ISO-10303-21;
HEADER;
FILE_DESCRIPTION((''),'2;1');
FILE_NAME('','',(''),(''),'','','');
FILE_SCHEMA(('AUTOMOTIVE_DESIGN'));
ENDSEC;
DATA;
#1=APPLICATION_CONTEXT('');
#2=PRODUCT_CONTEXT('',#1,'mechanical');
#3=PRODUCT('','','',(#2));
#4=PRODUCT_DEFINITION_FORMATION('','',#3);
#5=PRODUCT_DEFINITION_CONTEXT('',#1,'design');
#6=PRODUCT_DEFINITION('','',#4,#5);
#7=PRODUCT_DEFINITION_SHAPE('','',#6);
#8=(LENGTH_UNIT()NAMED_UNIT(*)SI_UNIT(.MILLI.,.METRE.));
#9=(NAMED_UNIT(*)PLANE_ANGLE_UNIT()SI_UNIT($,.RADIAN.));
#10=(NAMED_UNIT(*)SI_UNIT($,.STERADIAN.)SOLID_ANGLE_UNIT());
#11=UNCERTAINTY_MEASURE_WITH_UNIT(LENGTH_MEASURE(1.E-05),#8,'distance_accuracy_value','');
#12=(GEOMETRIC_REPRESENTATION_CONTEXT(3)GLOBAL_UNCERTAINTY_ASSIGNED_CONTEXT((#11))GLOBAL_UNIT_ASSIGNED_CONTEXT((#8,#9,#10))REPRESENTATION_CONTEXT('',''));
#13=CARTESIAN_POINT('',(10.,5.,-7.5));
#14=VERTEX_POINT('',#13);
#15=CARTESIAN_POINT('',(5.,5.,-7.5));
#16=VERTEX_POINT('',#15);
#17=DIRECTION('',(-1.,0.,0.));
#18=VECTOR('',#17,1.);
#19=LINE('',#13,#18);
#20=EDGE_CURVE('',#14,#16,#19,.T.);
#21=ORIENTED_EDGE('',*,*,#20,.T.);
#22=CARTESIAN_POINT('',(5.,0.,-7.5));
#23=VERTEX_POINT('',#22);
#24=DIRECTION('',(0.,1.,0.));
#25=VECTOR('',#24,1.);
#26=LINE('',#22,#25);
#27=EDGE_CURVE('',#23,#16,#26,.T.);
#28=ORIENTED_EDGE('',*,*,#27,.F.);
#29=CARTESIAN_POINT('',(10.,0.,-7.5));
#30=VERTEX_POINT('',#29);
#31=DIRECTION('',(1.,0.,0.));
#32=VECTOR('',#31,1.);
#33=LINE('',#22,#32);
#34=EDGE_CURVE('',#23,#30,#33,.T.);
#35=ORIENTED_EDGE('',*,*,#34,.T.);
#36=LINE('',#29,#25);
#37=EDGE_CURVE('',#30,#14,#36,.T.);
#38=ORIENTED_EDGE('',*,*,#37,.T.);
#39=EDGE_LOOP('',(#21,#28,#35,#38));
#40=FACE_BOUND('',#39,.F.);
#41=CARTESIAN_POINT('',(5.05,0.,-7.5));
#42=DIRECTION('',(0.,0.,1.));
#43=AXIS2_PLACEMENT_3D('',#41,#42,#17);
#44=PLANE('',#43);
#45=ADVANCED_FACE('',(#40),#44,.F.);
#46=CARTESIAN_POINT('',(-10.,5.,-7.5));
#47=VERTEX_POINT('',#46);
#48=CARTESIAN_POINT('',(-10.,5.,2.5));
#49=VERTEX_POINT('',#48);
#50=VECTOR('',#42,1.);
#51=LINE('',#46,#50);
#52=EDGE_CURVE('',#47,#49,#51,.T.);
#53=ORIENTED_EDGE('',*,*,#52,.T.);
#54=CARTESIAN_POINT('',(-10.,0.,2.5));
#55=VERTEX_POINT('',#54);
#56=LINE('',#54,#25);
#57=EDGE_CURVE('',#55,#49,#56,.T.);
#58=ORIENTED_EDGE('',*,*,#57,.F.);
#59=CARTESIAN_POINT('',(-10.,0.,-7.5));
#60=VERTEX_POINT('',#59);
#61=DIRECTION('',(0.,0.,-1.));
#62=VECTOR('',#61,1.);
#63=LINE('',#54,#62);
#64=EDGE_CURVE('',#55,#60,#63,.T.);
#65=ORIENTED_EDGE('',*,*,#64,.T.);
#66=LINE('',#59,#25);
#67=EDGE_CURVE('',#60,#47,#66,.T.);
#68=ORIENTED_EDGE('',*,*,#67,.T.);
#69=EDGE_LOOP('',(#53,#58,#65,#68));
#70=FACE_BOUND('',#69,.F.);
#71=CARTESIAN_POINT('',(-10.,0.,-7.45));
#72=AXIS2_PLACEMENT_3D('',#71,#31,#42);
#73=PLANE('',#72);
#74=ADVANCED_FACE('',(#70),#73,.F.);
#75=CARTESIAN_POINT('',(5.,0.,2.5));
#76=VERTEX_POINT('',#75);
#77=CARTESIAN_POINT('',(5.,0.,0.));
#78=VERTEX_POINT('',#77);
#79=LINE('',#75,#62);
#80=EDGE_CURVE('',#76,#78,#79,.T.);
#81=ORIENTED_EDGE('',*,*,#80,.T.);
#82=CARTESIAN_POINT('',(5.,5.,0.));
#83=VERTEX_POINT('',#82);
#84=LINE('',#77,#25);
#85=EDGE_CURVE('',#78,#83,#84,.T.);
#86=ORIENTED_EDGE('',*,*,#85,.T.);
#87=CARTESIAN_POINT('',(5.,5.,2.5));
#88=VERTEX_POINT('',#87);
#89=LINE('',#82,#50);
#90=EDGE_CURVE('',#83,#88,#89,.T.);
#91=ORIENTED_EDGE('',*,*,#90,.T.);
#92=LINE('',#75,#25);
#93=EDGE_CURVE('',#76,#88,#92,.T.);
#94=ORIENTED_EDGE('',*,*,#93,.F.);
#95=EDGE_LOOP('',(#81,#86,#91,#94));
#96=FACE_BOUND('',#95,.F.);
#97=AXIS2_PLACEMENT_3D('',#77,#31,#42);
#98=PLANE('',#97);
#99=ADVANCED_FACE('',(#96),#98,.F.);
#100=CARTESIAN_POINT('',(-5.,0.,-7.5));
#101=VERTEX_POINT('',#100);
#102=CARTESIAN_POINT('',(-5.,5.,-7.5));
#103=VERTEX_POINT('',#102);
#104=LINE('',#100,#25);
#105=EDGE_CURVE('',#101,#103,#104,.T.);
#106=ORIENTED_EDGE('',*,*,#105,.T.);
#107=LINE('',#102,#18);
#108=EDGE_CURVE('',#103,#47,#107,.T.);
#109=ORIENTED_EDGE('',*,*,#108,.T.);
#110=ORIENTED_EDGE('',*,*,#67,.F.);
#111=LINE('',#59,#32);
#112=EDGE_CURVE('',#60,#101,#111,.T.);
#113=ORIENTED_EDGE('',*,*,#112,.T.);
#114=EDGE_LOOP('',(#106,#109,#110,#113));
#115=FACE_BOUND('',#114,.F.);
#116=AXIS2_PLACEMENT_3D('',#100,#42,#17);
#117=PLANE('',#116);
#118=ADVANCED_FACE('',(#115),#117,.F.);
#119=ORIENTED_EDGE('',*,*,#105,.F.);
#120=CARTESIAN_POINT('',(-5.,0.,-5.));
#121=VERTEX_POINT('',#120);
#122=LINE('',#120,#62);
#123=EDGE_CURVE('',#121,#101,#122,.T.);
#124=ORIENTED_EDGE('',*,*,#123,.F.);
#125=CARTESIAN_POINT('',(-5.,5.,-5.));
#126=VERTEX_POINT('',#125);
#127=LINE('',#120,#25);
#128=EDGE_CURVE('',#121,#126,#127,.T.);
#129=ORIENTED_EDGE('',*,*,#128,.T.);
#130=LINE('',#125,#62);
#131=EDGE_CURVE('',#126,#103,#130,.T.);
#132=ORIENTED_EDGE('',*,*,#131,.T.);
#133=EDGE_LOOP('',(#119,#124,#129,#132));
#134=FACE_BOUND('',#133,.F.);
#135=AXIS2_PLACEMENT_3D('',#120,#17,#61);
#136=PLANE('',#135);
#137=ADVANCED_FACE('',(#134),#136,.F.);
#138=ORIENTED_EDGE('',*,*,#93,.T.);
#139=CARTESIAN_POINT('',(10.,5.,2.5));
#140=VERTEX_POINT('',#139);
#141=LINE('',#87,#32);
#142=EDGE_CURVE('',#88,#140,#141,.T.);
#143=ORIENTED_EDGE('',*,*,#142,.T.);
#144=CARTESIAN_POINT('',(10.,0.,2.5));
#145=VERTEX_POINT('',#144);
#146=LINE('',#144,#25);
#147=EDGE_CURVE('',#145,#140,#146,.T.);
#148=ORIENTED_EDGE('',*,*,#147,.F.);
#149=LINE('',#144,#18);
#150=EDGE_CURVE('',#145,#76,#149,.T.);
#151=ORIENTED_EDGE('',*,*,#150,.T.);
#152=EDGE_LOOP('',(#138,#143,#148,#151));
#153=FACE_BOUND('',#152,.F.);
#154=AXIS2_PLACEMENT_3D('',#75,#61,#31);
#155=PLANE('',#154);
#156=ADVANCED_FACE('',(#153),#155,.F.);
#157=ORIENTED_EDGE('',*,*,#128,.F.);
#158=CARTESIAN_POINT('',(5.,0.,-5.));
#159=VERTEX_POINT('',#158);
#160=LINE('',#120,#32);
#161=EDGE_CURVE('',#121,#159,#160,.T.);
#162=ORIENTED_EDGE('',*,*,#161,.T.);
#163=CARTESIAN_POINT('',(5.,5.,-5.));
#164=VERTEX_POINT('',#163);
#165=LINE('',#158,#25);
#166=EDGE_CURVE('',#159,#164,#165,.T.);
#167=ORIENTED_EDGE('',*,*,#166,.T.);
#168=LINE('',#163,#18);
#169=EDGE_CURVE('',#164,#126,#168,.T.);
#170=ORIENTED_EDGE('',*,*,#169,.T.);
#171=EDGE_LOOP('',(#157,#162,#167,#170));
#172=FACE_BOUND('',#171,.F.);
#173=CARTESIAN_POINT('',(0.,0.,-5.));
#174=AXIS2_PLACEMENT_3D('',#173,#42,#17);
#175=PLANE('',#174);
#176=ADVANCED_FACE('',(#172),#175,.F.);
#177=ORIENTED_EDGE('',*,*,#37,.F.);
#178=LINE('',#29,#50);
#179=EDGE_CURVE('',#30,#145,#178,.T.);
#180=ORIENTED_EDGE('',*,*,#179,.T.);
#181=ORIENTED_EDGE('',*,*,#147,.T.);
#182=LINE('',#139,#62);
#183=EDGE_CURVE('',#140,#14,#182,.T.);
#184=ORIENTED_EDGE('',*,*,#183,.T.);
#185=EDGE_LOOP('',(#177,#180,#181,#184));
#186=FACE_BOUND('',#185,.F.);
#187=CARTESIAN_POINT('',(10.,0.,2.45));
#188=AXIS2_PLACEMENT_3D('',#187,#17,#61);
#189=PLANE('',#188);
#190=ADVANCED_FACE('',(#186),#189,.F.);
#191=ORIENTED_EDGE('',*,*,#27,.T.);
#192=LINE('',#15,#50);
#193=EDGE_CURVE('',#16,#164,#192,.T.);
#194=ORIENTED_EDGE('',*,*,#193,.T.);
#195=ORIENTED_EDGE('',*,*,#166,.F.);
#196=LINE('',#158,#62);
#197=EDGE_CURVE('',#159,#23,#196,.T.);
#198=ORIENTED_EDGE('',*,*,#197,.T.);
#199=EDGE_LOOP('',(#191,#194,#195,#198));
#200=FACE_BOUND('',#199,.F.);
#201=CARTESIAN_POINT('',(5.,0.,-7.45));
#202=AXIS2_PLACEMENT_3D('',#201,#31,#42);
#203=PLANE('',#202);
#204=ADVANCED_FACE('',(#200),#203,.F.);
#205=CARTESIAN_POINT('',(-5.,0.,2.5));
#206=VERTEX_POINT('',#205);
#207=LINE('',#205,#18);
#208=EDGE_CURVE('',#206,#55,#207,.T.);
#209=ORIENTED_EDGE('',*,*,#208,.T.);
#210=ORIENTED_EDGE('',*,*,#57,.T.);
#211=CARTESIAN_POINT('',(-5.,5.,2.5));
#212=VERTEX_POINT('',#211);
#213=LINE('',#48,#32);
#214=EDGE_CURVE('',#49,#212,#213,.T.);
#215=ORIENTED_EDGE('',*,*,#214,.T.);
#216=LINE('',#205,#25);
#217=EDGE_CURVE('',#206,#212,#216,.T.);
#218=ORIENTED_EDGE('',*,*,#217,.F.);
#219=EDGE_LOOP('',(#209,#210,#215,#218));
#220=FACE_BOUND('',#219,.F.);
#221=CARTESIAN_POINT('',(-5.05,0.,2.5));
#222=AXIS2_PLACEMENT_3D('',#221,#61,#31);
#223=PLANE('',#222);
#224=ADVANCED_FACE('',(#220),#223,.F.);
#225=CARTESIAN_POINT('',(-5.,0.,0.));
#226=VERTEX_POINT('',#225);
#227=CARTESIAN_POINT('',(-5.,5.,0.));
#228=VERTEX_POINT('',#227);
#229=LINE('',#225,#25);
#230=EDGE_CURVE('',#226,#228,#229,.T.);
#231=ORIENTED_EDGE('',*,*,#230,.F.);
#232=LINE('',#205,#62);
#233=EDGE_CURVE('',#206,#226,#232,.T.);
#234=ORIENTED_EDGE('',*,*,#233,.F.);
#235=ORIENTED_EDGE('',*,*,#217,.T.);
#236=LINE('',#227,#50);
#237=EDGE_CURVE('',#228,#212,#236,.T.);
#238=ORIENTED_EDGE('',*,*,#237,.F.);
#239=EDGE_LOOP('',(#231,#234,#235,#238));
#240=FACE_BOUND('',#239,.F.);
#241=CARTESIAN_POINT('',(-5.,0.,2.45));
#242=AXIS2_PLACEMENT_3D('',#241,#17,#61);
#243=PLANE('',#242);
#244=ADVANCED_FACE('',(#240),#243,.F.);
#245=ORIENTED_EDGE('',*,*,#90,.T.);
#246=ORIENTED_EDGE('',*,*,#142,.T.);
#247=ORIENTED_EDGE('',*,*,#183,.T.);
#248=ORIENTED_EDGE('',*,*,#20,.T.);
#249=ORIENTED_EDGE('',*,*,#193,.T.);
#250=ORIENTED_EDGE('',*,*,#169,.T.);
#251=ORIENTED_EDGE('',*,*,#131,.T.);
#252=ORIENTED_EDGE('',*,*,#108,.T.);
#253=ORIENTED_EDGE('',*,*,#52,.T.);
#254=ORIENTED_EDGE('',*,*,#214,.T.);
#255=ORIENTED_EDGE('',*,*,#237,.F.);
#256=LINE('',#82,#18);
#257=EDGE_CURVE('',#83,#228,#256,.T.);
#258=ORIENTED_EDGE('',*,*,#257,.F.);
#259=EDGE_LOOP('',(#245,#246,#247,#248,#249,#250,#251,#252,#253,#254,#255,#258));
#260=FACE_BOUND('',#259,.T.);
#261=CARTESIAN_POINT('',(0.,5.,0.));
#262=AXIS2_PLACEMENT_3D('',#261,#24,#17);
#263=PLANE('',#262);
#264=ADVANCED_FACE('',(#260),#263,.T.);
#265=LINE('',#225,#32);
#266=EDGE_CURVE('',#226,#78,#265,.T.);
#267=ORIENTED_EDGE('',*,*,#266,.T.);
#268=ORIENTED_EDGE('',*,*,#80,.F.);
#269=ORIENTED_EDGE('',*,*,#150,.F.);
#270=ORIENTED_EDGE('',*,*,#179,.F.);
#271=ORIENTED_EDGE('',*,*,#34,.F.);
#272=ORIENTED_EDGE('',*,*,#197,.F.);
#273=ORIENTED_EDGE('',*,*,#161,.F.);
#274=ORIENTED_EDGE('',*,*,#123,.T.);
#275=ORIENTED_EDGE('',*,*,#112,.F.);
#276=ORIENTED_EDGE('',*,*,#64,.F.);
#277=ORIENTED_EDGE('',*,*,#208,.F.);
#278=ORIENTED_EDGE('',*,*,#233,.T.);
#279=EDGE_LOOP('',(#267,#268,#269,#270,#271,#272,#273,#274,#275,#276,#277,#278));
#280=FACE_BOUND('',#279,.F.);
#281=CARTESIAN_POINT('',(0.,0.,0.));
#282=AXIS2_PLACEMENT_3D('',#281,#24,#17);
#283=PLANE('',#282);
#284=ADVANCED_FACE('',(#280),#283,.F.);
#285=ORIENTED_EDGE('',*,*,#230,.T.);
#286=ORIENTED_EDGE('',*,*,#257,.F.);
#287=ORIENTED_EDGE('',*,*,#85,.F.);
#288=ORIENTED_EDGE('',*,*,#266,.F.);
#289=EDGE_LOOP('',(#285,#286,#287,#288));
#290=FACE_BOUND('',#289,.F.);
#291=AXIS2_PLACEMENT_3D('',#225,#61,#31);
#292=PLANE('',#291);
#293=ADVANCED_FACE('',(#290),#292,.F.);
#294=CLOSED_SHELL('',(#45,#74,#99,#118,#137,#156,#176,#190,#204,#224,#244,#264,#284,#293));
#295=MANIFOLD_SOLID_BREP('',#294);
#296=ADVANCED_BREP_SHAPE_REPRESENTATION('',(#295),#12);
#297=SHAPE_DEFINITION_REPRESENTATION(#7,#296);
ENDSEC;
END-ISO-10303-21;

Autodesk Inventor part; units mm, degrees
ref_plane "YZ Plane" through (0, 0, 0) normal (1, 0, 0) x (0, 1, 0)
ref_plane "XZ Plane" through (0, 0, 0) normal (0, 1, 0) x (-1, 0, 0)
ref_plane "XY Plane" through (0, 0, 0) normal (0, 0, 1) x (1, 0, 0)
sketch "Sketch1" plane through (0, 0, 0) normal (0, 1, 0) x (-1, 0, 0)
  line L0 (0, 0) -> (-5, 0)
  line L1 (5, 0) -> (0, 0)
  line L2 (-5, 0) -> (-5, 2.5)
  line L3 (-5, 2.5) -> (-10, 2.5)
  line L4 (-10, 2.5) -> (-10, -7.5)
  line L5 (-10, -7.5) -> (-5, -7.5)
  line L6 (-5, -7.5) -> (-5, -5)
  line L7 (-5, -5) -> (0, -5)
  line L8 (0, -5) -> (5, -5)
  line L9 (5, 2.5) -> (5, 0)
  line L10 (10, 2.5) -> (5, 2.5)
  line L11 (10, -7.5) -> (10, 2.5)
  line L12 (5, -5) -> (5, -7.5)
  line L13 (5, -7.5) -> (10, -7.5)
  line L14 (-10, 2.5) -> (-9.95, 2.5)
  line L15 (-9.95, 2.5) -> (-9.95, 2.45)
  line L16 (-9.95, 2.45) -> (-10, 2.45)
  line L17 (-10, 2.45) -> (-10, 2.5)
  line L18 (-5, 2.5) -> (-5.05, 2.5)
  line L19 (-5.05, 2.5) -> (-5.05, 2.45)
  line L20 (-5.05, 2.45) -> (-5, 2.45)
  line L21 (-5, 2.45) -> (-5, 2.5)
  line L22 (-10, -7.5) -> (-9.95, -7.5)
  line L23 (-9.95, -7.5) -> (-9.95, -7.45)
  line L24 (-9.95, -7.45) -> (-10, -7.45)
  line L25 (-10, -7.45) -> (-10, -7.5)
  line L26 (-5, -7.5) -> (-5.05, -7.5)
  line L27 (-5.05, -7.5) -> (-5.05, -7.45)
  line L28 (-5.05, -7.45) -> (-5, -7.45)
  line L29 (-5, -7.45) -> (-5, -7.5)
  line L30 (-5, 0) -> (-5.05, 0)
  line L31 (-5.05, 0) -> (-5.05, -0.05)
  line L32 (-5.05, -0.05) -> (-5, -0.05)
  line L33 (-5, -0.05) -> (-5, 0)
  line L34 (10, -7.5) -> (9.95, -7.5)
  line L35 (9.95, -7.5) -> (9.95, -7.45)
  line L36 (9.95, -7.45) -> (10, -7.45)
  line L37 (10, -7.45) -> (10, -7.5)
  line L38 (5, 2.5) -> (5.05, 2.5)
  line L39 (5.05, 2.5) -> (5.05, 2.45)
  line L40 (5.05, 2.45) -> (5, 2.45)
  line L41 (5, 2.45) -> (5, 2.5)
  line L42 (5, -5) -> (5.05, -5)
  line L43 (5.05, -5) -> (5.05, -4.95)
  line L44 (5.05, -4.95) -> (5, -4.95)
  line L45 (5, -4.95) -> (5, -5)
  line L46 (9.95, -7.45) -> (5.05, -7.45)
  line L47 (5.05, -7.45) -> (5.05, 2.45)
  line L48 (5.05, 2.45) -> (9.95, 2.45)
  line L49 (9.95, 2.45) -> (9.95, -7.45)
  line L50 (5.05, -4.95) -> (-5.05, -4.95)
  line L51 (-5.05, -4.95) -> (-5.05, -0.05)
  line L52 (-5.05, -0.05) -> (5.05, -0.05)
  line L53 (5.05, -0.05) -> (5.05, -4.95)
  line L54 (-5.05, 2.45) -> (-9.95, 2.45)
  line L55 (-9.95, 2.45) -> (-9.95, -7.45)
  line L56 (-9.95, -7.45) -> (-5.05, -7.45)
  line L57 (-5.05, -7.45) -> (-5.05, 2.45)
  dimension "d2" = 0.05
  dimension "d3" = 0.05
  dimension "d4" = 0.05
  dimension "d5" = 0.05
  dimension "d6" = 0.05
  dimension "d7" = 0.05
  dimension "d8" = 0.05
  dimension "d9" = 0.05
  dimension "d10" = 0.05
  dimension "d11" = 0.05
  dimension "d12" = 0.05
  dimension "d13" = 0.05
  dimension "d14" = 0.05
  dimension "d15" = 0.05
  dimension "d16" = 0.05
  dimension "d17" = 0.05
extrude "Extrusion1" add sketch "Sketch1" along normal blind 5
properties part number "5mm_pin"
